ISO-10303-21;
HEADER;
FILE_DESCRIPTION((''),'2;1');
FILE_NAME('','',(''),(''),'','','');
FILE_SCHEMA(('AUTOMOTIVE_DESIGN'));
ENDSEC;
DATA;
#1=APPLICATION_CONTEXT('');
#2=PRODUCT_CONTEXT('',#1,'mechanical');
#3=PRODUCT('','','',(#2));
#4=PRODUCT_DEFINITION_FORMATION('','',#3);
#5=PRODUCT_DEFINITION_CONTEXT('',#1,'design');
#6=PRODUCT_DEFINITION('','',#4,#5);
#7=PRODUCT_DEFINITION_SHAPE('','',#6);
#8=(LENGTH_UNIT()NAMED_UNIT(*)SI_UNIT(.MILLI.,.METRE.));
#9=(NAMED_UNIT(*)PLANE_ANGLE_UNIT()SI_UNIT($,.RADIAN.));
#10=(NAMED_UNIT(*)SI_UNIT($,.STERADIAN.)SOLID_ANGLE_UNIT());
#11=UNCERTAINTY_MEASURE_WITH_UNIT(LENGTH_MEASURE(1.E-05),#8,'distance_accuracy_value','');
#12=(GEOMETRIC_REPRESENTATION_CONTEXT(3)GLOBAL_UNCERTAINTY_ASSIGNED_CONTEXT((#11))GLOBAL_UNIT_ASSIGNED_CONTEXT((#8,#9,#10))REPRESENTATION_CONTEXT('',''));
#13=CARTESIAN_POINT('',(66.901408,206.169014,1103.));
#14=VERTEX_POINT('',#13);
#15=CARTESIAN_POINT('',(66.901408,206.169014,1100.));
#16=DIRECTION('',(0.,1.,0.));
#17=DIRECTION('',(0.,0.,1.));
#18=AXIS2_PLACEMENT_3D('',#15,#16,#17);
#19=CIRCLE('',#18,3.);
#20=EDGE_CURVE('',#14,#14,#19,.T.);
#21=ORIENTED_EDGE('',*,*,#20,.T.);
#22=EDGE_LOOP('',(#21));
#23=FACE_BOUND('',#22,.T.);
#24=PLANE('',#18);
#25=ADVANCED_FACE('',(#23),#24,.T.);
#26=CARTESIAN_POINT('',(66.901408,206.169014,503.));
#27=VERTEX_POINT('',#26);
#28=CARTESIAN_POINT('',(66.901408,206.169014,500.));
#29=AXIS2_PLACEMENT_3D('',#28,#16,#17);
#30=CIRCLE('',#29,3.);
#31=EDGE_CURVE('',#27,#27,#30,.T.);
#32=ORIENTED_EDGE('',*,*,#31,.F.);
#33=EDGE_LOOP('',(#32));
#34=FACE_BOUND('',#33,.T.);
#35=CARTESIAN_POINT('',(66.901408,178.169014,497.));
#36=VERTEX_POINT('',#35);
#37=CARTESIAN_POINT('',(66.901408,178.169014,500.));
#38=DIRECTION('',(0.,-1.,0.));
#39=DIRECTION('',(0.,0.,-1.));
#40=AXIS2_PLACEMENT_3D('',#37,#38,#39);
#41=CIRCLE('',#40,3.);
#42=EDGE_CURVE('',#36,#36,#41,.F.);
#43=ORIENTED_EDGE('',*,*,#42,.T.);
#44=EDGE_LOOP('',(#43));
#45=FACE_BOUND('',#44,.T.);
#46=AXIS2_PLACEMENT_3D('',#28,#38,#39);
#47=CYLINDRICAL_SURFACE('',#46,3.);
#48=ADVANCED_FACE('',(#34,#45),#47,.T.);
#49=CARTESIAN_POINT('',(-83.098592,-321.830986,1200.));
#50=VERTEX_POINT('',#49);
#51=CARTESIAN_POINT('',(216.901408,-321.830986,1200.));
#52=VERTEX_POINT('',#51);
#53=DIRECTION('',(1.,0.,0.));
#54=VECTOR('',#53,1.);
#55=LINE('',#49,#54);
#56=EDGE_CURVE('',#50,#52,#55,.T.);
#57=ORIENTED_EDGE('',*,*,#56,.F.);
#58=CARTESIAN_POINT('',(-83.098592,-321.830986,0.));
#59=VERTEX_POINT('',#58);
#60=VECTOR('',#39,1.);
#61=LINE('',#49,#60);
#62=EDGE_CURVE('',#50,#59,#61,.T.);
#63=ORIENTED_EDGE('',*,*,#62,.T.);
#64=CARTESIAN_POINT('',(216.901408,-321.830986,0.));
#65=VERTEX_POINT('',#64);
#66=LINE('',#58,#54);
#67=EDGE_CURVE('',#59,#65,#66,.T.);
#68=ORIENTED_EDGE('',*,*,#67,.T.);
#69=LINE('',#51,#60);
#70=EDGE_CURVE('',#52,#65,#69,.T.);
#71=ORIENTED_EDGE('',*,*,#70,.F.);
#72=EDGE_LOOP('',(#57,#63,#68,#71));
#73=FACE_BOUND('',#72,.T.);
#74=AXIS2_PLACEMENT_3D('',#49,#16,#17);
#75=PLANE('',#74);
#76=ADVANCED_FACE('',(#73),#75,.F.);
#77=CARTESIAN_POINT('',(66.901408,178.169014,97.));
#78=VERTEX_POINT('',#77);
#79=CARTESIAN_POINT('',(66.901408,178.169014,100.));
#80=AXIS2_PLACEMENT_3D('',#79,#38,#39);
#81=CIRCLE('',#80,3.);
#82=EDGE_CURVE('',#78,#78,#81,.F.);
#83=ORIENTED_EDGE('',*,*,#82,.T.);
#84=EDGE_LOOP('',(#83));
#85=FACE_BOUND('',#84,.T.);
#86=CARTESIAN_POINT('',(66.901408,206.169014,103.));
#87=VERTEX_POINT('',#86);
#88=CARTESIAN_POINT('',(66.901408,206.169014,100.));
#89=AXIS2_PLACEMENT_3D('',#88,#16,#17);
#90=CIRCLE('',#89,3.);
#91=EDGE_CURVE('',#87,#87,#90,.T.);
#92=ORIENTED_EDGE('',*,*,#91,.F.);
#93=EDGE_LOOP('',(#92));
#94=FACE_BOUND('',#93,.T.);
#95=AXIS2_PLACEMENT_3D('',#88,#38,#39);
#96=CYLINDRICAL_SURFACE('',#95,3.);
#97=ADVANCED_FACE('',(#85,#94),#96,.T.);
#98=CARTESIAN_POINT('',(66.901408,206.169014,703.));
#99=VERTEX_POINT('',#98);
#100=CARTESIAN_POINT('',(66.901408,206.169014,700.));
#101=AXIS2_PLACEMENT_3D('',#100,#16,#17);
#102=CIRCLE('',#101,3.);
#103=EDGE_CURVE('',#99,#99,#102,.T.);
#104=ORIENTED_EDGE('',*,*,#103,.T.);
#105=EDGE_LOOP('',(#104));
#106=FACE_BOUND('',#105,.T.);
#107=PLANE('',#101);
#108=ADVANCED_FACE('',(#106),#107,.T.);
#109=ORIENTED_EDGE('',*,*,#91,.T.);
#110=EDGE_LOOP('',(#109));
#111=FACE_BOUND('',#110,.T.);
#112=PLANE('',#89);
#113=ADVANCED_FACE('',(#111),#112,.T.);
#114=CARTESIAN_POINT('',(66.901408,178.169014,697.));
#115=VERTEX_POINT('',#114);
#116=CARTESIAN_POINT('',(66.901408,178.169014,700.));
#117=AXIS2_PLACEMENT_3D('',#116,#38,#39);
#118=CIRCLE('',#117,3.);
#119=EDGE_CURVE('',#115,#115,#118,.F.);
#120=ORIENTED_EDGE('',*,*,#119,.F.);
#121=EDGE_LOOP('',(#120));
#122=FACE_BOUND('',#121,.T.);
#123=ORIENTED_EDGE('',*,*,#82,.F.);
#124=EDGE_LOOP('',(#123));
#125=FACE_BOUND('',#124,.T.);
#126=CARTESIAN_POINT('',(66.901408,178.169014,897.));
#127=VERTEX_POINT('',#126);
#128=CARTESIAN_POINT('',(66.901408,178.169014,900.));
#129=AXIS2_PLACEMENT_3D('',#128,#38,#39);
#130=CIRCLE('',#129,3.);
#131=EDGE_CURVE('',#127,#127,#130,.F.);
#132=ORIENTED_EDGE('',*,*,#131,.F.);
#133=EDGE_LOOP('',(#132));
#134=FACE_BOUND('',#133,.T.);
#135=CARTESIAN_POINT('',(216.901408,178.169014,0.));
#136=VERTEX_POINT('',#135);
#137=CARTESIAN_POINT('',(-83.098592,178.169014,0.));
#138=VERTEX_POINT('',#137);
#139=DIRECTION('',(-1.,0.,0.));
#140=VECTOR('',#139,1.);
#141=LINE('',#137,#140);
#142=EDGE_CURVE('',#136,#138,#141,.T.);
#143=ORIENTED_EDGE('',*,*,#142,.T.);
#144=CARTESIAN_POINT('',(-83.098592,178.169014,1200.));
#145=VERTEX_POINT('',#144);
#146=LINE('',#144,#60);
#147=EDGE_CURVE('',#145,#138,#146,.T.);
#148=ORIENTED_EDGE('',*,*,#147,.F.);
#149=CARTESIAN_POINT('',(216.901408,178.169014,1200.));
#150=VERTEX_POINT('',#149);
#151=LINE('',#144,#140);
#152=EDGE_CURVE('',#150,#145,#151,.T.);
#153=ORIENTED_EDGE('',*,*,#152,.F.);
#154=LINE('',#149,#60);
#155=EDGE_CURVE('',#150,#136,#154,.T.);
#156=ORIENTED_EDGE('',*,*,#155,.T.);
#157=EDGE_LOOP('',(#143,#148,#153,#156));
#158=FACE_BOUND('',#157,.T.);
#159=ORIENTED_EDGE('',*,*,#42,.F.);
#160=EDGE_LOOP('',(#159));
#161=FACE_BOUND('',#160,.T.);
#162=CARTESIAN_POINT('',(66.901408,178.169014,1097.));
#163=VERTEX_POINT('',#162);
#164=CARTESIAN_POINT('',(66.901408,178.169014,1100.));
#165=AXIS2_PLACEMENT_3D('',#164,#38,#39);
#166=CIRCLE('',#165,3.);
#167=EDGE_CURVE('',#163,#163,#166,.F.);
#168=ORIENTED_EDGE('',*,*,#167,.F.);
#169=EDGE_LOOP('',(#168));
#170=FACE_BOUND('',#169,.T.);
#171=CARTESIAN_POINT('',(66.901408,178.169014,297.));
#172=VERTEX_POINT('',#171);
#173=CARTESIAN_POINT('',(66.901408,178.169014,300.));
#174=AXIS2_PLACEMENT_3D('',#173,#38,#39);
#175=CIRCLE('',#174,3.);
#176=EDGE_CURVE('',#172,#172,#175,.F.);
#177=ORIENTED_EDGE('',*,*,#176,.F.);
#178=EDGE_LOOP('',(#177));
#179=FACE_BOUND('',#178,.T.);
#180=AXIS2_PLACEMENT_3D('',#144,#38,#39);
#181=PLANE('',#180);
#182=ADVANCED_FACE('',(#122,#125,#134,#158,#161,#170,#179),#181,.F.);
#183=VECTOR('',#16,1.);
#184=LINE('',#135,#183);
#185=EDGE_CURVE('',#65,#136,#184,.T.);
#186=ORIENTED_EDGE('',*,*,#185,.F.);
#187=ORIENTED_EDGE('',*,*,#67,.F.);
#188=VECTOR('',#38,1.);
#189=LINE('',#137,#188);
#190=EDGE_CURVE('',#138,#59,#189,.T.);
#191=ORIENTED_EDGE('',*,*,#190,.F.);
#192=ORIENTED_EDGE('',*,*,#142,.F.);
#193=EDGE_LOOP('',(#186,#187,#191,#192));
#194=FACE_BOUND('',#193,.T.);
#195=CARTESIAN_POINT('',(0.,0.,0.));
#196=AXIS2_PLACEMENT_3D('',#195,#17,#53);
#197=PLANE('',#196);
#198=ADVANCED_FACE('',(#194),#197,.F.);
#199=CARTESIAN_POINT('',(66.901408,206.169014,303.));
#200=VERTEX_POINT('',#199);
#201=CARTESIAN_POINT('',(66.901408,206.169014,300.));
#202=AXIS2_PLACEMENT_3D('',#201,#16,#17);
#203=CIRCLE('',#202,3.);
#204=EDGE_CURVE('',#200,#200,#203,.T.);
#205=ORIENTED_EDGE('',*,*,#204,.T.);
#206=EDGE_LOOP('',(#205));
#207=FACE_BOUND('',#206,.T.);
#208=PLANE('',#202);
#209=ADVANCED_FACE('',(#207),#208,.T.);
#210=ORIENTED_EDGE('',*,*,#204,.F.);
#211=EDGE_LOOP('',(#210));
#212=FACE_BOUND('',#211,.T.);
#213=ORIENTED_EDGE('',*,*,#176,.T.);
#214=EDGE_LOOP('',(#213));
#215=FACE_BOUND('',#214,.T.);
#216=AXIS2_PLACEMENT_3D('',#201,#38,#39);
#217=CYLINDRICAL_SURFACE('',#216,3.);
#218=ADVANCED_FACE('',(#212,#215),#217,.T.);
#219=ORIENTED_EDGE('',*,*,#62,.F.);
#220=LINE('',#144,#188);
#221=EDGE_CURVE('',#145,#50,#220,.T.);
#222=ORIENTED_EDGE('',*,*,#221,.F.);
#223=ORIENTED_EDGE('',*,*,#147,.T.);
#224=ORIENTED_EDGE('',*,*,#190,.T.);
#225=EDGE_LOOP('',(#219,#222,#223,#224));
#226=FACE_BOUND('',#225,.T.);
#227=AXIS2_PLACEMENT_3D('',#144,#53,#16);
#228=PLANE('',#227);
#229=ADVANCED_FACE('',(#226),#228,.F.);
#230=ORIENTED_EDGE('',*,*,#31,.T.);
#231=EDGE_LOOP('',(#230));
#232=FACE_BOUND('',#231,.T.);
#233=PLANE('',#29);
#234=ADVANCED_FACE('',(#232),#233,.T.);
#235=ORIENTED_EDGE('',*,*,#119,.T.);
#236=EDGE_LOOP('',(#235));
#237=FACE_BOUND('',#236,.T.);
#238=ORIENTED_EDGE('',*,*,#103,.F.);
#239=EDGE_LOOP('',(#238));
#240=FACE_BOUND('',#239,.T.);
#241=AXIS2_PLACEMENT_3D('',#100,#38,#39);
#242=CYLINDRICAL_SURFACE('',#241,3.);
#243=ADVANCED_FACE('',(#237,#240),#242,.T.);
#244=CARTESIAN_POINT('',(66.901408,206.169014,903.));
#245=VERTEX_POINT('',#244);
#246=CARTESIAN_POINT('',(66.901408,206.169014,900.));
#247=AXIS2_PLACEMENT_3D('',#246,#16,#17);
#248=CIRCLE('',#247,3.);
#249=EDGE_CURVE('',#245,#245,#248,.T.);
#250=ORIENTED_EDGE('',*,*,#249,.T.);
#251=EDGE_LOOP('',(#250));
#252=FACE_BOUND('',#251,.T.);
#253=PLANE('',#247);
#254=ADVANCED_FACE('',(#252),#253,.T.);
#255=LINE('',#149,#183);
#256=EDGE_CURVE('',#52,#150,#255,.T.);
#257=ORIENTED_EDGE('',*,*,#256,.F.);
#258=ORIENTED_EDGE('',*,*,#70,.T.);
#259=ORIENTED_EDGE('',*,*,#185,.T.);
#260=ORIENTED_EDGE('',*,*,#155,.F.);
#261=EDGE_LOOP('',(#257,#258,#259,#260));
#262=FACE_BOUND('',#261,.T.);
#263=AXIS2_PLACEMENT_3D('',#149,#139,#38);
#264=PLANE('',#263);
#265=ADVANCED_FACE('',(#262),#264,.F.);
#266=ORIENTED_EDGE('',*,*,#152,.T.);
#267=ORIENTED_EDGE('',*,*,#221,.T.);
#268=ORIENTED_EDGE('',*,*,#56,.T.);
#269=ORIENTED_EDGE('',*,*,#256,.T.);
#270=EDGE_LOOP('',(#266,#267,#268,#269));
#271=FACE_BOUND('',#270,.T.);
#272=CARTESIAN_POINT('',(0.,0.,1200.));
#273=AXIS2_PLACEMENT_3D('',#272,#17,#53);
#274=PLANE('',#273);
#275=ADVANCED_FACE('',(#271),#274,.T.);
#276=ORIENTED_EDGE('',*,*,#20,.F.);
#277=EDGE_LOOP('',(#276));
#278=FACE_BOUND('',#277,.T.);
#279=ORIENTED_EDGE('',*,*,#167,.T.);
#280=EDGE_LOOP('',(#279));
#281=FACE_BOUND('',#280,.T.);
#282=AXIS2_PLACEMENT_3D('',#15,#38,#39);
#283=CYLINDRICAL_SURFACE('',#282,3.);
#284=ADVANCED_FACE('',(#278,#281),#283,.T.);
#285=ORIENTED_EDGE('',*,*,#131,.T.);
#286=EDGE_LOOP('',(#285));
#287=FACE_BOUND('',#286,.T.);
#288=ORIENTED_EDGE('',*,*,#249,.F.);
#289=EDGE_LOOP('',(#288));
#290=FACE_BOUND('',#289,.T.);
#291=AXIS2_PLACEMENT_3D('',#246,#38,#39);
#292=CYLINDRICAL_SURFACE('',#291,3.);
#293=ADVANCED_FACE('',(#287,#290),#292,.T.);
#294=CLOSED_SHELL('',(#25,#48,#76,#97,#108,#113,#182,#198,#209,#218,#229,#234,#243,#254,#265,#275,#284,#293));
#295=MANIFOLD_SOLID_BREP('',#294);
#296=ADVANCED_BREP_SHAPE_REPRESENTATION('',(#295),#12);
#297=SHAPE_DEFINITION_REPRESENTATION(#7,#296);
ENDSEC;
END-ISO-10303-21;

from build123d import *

# Parameters (mm, degrees)
SKETCH1_W           = 300
SKETCH1_H           = 500
BOSS_EXTRUDE1_DEPTH = 1200
SKETCH2_R           = 3
BOSS_EXTRUDE2_DEPTH = 28


with BuildPart() as part:
    # Sketch1 → Boss-Extrude1 (new body)
    with BuildSketch(Plane.XY):
        with Locations((66.901408451, -71.830985915)):
            Rectangle(SKETCH1_W, SKETCH1_H)
    extrude(amount=BOSS_EXTRUDE1_DEPTH)

    # Sketch2 → Boss-Extrude2 (add)
    with BuildSketch(Plane(origin=(0, 178.169014085, 0), x_dir=(1, 0, 0), z_dir=(0, 1, 0))):
        with Locations(Location((66.901408451, -100, 0), (0, 0, 90))):
            Circle(SKETCH2_R)
        with Locations(Location((66.901408451, -300, 0), (0, 0, 90))):
            Circle(SKETCH2_R)
        with Locations(Location((66.901408451, -500, 0), (0, 0, 90))):
            Circle(SKETCH2_R)
        with Locations(Location((66.901408451, -700, 0), (0, 0, 90))):
            Circle(SKETCH2_R)
        with Locations(Location((66.901408451, -900, 0), (0, 0, 90))):
            Circle(SKETCH2_R)
        with Locations(Location((66.901408451, -1100, 0), (0, 0, 90))):
            Circle(SKETCH2_R)
    extrude(amount=BOSS_EXTRUDE2_DEPTH)


solid = part.part
